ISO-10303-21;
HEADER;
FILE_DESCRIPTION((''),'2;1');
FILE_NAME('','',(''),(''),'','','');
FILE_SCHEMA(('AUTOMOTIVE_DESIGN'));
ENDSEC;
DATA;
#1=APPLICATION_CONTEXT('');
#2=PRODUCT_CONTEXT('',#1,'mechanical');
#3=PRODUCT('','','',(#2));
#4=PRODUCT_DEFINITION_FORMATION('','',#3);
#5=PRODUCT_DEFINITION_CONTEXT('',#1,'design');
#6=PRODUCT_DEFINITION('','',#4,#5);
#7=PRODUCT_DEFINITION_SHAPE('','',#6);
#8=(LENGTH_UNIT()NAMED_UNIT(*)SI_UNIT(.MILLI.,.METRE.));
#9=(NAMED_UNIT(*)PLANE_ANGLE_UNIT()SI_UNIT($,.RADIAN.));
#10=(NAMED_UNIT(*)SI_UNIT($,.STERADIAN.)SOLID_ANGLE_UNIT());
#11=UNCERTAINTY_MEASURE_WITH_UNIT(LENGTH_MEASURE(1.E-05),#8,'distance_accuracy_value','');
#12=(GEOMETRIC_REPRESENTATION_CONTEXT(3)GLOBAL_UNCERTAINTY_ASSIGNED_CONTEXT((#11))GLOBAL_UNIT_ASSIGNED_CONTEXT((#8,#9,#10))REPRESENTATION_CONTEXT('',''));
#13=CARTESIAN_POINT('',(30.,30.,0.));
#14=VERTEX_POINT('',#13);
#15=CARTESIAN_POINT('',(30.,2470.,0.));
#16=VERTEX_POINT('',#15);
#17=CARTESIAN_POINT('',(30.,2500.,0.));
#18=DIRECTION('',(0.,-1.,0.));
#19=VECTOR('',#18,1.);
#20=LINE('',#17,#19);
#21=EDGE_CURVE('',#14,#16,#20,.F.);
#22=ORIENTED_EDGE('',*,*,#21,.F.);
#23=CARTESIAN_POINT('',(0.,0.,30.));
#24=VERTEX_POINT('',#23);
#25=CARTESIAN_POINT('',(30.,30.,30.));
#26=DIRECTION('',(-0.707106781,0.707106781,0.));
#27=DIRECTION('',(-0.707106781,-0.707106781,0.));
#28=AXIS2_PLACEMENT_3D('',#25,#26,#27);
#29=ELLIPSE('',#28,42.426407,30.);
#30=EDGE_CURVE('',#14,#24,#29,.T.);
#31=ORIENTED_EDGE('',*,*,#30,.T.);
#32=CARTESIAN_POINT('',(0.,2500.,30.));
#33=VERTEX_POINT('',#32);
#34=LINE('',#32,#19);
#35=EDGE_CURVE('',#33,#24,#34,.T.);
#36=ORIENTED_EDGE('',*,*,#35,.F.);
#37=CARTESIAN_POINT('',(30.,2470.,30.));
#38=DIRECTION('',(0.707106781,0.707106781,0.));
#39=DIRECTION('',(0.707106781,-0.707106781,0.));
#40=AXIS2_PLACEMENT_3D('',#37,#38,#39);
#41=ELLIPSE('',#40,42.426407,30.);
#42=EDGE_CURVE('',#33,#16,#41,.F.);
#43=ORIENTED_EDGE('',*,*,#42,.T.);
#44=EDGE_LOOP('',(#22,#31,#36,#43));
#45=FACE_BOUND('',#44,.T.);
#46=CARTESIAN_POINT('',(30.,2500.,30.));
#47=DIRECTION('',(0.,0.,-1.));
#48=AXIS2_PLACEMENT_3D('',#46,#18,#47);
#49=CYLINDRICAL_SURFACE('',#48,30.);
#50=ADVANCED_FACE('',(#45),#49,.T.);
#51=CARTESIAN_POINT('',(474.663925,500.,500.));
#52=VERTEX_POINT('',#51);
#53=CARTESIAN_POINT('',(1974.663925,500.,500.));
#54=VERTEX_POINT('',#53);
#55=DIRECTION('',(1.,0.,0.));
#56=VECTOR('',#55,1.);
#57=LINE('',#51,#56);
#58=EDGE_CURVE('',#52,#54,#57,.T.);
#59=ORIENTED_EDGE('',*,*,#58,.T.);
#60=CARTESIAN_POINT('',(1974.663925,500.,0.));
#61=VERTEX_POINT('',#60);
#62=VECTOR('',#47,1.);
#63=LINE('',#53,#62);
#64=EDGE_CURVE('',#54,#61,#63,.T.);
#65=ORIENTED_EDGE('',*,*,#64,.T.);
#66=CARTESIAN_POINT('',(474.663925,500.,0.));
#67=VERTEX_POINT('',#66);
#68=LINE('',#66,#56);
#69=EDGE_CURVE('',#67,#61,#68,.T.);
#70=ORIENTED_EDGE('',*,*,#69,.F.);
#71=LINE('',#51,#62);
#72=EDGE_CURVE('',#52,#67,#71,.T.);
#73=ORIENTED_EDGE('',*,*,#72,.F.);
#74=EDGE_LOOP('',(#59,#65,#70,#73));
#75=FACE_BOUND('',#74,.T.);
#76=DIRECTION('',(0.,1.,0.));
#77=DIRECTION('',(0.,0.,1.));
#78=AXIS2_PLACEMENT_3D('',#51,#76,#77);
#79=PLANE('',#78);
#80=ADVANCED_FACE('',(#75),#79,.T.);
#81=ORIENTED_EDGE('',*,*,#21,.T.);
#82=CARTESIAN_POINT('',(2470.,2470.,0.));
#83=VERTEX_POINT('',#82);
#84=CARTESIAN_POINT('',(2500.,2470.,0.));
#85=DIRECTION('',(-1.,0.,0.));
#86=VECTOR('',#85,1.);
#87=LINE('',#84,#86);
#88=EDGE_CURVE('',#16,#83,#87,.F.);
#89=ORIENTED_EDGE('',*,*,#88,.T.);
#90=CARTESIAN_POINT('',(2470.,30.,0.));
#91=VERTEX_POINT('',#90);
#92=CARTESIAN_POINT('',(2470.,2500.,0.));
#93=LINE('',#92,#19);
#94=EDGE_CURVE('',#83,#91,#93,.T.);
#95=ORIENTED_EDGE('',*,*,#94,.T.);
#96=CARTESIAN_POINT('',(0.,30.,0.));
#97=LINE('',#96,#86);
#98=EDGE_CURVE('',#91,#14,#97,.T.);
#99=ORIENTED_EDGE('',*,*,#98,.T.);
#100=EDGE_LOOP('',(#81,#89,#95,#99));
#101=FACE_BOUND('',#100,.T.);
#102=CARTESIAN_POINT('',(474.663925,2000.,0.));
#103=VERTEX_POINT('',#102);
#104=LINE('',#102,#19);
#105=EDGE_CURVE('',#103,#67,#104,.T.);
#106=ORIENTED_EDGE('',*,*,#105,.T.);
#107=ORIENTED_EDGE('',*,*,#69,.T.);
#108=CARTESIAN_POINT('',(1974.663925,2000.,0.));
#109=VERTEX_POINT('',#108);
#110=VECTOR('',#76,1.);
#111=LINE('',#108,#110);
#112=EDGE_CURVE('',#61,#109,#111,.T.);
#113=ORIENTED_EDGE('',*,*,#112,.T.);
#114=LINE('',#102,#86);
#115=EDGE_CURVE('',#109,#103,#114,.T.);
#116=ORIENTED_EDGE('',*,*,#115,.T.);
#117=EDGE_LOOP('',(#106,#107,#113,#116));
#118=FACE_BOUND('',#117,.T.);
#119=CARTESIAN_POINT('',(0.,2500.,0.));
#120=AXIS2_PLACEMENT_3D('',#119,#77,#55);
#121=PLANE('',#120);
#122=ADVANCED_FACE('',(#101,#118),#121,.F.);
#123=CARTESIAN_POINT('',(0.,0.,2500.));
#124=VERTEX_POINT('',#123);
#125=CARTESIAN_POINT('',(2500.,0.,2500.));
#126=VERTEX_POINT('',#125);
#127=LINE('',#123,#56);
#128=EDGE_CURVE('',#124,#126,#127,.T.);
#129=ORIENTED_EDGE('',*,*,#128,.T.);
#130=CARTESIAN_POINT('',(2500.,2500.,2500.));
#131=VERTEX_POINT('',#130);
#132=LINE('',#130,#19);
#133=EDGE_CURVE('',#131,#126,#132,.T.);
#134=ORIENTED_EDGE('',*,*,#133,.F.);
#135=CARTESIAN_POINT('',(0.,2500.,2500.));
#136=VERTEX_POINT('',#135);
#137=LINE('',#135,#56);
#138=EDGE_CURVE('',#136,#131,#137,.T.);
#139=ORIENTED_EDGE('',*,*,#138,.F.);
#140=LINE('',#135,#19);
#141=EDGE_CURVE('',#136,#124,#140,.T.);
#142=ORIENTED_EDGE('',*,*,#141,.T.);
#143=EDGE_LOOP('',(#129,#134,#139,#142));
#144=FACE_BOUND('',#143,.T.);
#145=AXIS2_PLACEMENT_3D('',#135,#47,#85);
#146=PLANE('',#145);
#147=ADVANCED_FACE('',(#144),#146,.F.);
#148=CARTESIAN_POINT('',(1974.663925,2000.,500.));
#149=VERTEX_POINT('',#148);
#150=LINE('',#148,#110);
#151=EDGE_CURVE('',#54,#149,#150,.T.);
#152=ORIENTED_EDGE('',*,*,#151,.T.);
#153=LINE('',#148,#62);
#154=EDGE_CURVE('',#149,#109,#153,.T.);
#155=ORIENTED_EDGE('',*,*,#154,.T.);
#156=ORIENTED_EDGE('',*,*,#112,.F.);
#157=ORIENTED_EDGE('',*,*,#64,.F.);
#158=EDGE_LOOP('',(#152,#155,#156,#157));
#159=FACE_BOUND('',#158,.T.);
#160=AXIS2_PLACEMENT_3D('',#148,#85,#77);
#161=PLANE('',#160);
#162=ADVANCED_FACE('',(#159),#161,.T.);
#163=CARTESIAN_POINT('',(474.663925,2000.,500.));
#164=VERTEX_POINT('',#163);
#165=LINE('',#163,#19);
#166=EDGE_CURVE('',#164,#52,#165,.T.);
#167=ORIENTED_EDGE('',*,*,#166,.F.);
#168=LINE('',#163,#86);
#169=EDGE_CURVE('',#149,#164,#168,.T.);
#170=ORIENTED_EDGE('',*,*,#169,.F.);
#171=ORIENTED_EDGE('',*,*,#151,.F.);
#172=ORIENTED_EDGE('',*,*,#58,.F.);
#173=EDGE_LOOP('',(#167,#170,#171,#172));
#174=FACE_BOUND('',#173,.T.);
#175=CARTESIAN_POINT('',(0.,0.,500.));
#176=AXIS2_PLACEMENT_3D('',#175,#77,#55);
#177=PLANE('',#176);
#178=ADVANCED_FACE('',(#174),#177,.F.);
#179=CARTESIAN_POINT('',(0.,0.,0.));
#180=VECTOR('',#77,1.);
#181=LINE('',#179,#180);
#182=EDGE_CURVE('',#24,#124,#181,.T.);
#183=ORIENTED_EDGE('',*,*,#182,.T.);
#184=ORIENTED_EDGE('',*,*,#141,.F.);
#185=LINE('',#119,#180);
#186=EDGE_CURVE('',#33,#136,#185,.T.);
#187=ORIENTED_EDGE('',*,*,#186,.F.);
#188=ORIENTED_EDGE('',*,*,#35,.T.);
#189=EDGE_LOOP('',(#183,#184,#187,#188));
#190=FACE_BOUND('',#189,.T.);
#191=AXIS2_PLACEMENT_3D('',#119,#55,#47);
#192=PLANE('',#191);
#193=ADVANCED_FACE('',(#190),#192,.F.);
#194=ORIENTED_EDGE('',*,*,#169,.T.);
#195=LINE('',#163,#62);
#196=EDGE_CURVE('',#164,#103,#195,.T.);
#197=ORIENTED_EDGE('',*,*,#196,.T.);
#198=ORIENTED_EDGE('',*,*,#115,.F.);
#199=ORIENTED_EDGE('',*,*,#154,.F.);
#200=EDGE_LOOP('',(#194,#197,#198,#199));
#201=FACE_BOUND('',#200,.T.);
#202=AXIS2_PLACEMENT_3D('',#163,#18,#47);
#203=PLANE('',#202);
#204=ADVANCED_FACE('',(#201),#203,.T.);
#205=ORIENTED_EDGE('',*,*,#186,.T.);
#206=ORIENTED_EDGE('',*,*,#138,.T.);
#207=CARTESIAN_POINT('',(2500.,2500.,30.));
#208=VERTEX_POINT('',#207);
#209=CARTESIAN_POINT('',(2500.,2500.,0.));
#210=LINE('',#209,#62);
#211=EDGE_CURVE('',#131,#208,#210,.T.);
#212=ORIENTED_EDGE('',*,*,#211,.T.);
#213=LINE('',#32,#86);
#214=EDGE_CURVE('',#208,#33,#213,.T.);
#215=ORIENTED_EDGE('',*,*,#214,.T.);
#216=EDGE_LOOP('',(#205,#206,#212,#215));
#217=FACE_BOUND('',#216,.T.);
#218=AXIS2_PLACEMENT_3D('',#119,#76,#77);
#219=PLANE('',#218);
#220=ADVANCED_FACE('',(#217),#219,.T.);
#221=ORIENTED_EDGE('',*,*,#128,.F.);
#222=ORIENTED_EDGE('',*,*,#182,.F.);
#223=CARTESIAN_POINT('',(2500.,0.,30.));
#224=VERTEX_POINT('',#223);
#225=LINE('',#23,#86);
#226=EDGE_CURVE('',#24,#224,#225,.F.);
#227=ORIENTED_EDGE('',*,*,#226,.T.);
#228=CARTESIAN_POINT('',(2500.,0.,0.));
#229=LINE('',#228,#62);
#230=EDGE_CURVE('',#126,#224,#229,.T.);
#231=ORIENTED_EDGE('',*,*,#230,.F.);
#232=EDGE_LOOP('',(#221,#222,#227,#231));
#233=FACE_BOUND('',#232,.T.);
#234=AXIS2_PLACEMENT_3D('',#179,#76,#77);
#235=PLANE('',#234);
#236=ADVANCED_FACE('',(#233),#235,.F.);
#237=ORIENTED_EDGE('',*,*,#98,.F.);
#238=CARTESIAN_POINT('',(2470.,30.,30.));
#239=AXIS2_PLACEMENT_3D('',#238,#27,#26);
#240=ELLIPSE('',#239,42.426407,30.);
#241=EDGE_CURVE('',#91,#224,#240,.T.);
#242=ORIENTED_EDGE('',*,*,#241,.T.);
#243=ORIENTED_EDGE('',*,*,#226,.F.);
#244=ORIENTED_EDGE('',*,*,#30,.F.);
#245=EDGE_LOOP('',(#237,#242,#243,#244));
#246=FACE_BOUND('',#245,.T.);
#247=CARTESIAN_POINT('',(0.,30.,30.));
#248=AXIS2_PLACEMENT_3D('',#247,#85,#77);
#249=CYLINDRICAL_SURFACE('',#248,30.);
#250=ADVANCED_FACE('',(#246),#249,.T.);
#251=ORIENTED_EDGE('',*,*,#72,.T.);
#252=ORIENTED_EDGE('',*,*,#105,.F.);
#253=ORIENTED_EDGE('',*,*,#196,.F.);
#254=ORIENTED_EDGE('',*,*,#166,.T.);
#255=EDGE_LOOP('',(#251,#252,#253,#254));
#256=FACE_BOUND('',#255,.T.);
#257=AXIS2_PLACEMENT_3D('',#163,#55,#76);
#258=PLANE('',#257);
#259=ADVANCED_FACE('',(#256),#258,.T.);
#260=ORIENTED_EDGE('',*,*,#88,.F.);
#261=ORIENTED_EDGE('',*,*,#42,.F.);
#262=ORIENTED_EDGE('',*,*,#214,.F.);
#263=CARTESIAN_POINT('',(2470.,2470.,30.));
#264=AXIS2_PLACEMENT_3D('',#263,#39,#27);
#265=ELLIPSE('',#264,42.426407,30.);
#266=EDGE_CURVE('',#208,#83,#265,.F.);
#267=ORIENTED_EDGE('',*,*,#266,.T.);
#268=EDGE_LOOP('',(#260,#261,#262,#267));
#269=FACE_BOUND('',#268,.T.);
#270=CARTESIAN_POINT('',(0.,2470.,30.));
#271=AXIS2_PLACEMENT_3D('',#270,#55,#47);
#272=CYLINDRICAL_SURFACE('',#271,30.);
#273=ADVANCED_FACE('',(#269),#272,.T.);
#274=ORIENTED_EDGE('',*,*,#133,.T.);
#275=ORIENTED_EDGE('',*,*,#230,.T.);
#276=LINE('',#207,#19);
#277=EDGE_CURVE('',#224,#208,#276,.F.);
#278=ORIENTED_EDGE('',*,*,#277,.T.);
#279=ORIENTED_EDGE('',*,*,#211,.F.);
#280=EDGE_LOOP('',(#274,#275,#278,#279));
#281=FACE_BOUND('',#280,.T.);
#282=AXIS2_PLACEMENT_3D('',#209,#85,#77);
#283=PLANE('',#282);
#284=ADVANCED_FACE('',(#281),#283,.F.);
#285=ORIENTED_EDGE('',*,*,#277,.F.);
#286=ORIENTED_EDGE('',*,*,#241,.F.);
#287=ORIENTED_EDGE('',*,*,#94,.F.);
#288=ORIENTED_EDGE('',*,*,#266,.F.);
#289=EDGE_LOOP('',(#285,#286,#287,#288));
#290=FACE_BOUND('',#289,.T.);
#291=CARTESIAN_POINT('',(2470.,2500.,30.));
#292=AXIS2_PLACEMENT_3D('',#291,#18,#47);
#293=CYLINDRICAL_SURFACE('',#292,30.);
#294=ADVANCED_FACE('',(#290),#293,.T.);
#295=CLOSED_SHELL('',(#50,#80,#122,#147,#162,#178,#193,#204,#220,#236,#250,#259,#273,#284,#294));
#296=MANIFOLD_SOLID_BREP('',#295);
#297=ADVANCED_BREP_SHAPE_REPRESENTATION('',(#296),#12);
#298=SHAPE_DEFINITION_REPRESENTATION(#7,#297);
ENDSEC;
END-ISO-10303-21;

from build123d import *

# Parameters (mm, degrees)
SKETCH2_W           = 2500
SKETCH2_H           = 2500
BOSS_EXTRUDE1_DEPTH = 2500
SKETCH6_W           = 1500
SKETCH6_H           = 1500
CUT_EXTRUDE9_DEPTH  = 500
FILLET2_R           = 30


with BuildPart() as part:
    # Sketch2 → Boss-Extrude1 (new body)
    with BuildSketch(Plane(origin=(0, 0, 0), x_dir=(1, 0, 0), z_dir=(0, 1, 0))):
        with Locations((1250, -1250)):
            Rectangle(SKETCH2_W, SKETCH2_H)
    extrude(amount=BOSS_EXTRUDE1_DEPTH)

    # Sketch6 → Cut-Extrude9 (cut)
    with BuildSketch(Plane.XY):
        with Locations((1224.663925487, 1250)):
            Rectangle(SKETCH6_W, SKETCH6_H)
    extrude(amount=CUT_EXTRUDE9_DEPTH, mode=Mode.SUBTRACT)

    # Fillet2
    fillet2_edges = [part.edges().sort_by_distance(p)[0] for p in [
        (1250, 2500, 0),
        (1250, 0, 0),
        (0, 1250, 0),
        (2500, 1250, 0),
    ]]
    fillet(fillet2_edges, radius=FILLET2_R)


solid = part.part
